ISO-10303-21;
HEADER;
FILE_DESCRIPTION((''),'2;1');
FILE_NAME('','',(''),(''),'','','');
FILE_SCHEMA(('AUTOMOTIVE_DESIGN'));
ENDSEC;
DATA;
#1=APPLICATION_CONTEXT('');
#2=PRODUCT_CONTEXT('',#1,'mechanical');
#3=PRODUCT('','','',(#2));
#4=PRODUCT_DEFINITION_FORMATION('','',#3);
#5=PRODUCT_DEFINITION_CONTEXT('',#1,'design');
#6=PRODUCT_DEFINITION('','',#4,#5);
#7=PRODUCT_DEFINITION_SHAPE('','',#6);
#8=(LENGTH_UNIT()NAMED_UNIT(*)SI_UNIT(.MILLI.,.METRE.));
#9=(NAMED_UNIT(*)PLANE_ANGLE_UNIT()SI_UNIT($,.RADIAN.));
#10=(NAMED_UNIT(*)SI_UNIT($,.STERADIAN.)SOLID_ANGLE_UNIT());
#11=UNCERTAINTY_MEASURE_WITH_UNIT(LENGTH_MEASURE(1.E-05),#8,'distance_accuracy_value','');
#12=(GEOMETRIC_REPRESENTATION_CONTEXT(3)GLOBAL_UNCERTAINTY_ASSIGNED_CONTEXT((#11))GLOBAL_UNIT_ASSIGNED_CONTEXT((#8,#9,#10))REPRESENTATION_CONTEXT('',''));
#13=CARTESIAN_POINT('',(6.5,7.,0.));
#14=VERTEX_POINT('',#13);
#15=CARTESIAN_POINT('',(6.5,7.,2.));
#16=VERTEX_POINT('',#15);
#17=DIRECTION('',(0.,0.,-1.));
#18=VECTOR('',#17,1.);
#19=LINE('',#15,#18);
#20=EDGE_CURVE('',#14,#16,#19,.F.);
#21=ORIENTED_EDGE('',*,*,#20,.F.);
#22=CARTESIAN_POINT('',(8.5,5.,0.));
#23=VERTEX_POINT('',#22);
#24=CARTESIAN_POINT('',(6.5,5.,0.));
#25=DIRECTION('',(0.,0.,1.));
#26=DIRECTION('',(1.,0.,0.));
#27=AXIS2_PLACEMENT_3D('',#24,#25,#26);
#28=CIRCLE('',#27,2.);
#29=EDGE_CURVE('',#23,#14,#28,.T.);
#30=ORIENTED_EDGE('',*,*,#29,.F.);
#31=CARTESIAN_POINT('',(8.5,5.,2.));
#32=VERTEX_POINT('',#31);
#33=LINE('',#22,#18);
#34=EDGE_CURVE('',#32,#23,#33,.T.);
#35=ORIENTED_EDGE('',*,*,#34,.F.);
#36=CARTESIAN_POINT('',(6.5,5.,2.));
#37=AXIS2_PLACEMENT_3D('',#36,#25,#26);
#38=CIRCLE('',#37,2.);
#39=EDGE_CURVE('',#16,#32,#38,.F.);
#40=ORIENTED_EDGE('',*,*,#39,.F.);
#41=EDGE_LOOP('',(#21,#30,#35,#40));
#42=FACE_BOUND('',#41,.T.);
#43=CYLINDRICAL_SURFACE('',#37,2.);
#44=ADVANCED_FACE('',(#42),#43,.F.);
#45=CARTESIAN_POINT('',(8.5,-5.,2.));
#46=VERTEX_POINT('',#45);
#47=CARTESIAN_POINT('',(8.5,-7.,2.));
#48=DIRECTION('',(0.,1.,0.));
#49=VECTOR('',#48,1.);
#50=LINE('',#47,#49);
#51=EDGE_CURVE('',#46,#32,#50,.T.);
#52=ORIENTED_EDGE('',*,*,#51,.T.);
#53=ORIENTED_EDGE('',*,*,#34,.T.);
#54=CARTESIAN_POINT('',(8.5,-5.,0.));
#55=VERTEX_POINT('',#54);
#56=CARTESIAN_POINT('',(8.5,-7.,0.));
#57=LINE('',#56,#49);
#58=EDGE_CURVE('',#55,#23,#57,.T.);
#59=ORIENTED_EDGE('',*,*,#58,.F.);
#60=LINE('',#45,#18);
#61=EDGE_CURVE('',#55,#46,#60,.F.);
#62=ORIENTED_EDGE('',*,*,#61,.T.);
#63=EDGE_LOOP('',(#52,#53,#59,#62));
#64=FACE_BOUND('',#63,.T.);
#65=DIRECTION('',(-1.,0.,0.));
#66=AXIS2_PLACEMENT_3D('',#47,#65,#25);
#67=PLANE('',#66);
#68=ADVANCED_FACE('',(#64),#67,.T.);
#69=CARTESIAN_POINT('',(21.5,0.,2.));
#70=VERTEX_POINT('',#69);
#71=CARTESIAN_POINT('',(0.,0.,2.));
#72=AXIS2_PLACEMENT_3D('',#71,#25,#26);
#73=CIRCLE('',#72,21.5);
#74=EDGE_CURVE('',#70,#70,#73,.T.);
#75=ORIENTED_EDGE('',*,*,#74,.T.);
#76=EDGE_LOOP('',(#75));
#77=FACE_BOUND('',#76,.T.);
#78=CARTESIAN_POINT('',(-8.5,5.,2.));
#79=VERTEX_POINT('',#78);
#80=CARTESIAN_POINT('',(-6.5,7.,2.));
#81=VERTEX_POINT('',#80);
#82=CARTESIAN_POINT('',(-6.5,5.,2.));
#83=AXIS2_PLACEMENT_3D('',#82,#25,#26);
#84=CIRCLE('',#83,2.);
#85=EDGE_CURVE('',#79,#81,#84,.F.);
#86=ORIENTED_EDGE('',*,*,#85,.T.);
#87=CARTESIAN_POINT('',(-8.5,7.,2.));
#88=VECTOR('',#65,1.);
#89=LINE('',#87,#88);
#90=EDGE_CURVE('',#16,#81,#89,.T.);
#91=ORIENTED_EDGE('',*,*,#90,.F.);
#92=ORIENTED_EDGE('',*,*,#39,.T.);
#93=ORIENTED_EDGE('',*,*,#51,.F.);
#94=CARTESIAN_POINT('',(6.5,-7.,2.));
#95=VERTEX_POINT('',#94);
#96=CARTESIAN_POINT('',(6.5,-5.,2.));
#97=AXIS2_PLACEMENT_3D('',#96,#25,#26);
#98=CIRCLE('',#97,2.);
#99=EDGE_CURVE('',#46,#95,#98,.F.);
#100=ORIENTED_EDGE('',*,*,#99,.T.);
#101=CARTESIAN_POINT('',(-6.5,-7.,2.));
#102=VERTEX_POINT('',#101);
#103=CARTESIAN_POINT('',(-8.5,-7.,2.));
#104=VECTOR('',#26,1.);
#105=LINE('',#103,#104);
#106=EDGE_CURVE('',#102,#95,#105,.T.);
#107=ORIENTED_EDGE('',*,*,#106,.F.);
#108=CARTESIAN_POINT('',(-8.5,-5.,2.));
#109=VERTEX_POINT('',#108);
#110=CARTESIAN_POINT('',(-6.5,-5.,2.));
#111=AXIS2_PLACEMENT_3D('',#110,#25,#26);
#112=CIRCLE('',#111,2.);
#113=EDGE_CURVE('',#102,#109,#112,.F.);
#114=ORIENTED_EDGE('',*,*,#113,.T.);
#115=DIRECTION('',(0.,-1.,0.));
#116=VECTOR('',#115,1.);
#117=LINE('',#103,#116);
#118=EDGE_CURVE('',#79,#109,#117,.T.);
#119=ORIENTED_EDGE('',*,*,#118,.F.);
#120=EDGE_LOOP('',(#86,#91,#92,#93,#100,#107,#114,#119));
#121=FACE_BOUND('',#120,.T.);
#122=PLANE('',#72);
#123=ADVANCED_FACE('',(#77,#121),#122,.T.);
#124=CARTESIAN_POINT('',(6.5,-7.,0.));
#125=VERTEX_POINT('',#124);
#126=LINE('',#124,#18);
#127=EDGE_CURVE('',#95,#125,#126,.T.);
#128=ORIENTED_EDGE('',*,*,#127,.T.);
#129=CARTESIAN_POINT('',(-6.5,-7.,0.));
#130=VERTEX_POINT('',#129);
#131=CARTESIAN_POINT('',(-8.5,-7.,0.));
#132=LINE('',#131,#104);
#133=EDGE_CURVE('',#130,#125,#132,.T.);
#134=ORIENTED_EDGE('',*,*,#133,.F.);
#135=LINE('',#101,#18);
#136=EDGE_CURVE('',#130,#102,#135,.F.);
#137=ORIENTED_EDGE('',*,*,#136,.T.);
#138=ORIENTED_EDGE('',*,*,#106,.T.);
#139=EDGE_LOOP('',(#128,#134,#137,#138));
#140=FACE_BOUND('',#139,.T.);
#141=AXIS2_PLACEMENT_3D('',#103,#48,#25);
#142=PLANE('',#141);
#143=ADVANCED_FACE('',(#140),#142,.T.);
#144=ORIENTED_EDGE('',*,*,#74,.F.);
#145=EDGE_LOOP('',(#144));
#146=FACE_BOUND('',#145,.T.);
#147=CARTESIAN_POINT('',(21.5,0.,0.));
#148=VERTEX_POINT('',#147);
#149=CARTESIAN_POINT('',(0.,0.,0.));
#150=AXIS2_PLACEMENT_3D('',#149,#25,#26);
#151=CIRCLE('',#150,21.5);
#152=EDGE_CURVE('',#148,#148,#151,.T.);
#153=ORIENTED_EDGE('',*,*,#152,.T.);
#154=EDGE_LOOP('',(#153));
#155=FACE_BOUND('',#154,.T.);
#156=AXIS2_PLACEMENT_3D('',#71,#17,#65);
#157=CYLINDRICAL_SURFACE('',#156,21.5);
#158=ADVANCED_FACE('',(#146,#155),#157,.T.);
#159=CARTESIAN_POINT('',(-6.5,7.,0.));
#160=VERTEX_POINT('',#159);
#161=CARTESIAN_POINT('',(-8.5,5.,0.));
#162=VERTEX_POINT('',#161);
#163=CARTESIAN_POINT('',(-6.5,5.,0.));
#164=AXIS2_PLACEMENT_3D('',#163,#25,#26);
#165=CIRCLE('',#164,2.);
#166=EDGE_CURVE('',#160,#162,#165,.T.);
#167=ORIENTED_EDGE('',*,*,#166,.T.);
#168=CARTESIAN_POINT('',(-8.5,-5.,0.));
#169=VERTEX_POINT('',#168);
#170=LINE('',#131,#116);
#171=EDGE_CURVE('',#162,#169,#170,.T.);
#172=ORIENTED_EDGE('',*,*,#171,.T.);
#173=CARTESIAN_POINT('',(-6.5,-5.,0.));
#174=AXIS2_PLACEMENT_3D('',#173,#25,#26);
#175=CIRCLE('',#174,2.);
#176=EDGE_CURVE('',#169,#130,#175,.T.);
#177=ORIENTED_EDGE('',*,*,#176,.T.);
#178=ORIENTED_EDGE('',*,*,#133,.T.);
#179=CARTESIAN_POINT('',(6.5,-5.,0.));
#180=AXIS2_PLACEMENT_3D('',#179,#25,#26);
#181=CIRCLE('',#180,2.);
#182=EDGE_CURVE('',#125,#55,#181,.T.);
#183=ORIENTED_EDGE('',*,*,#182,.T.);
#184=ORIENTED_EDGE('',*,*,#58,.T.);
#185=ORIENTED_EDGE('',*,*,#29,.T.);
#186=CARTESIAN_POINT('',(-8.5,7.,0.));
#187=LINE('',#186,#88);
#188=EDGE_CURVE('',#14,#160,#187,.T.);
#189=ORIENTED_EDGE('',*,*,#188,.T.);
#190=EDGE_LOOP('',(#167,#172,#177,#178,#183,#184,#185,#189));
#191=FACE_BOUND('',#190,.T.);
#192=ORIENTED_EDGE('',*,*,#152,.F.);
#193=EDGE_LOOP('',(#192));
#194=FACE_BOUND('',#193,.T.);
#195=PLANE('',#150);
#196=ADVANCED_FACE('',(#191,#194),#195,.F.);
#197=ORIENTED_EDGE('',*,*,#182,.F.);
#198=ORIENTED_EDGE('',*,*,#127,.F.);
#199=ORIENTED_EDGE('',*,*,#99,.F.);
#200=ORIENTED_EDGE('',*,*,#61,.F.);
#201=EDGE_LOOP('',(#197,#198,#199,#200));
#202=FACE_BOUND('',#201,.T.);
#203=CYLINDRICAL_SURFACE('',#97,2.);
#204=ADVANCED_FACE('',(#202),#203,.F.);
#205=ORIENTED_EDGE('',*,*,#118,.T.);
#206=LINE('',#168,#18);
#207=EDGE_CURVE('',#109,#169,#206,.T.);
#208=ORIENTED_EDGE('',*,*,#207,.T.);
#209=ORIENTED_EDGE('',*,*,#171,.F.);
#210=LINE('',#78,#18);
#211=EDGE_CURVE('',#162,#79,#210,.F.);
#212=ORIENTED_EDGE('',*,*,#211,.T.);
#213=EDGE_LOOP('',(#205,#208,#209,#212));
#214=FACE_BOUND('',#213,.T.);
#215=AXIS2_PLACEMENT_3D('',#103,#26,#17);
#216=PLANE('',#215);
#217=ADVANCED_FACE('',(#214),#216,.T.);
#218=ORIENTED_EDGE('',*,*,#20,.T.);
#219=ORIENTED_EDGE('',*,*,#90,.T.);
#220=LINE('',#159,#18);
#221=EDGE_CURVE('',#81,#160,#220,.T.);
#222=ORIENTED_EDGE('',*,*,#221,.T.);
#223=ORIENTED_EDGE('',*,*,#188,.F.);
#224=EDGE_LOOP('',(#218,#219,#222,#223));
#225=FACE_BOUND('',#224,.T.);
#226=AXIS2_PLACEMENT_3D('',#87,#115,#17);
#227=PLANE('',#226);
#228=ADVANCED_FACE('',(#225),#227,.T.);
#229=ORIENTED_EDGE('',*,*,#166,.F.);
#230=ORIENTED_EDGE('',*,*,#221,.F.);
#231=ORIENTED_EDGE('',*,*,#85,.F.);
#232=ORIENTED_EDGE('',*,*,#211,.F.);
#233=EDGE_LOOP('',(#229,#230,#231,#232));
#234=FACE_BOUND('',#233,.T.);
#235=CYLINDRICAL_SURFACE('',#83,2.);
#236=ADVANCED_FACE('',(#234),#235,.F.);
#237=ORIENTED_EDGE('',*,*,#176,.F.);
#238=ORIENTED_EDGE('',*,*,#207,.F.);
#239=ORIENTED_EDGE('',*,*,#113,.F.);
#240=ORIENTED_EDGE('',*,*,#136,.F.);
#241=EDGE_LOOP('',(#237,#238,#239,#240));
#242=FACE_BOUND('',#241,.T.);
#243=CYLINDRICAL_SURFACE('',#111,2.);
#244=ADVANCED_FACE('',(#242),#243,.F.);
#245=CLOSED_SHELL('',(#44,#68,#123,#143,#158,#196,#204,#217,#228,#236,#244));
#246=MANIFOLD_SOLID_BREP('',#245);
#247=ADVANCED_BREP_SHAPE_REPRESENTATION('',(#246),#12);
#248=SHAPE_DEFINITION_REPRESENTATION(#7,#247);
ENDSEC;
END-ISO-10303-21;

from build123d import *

# Parameters (mm, degrees)
SKETCH1_R           = 21.5
SKETCH1_W           = 17
SKETCH1_H           = 14
BOSS_EXTRUDE2_DEPTH = 2
FILLET1_R           = 2


with BuildPart() as part:
    # Sketch1 → Boss-Extrude2 (new body)
    with BuildSketch(Plane.XY):
        Circle(SKETCH1_R)
        Rectangle(SKETCH1_W, SKETCH1_H, mode=Mode.SUBTRACT)
    extrude(amount=BOSS_EXTRUDE2_DEPTH)

    # Fillet1
    fillet1_edges = [part.edges().sort_by_distance(p)[0] for p in [
        (8.5, -7, 1),
        (8.5, 7, 1),
        (-8.5, 7, 1),
        (-8.5, -7, 1),
    ]]
    fillet(fillet1_edges, radius=FILLET1_R)


solid = part.part
